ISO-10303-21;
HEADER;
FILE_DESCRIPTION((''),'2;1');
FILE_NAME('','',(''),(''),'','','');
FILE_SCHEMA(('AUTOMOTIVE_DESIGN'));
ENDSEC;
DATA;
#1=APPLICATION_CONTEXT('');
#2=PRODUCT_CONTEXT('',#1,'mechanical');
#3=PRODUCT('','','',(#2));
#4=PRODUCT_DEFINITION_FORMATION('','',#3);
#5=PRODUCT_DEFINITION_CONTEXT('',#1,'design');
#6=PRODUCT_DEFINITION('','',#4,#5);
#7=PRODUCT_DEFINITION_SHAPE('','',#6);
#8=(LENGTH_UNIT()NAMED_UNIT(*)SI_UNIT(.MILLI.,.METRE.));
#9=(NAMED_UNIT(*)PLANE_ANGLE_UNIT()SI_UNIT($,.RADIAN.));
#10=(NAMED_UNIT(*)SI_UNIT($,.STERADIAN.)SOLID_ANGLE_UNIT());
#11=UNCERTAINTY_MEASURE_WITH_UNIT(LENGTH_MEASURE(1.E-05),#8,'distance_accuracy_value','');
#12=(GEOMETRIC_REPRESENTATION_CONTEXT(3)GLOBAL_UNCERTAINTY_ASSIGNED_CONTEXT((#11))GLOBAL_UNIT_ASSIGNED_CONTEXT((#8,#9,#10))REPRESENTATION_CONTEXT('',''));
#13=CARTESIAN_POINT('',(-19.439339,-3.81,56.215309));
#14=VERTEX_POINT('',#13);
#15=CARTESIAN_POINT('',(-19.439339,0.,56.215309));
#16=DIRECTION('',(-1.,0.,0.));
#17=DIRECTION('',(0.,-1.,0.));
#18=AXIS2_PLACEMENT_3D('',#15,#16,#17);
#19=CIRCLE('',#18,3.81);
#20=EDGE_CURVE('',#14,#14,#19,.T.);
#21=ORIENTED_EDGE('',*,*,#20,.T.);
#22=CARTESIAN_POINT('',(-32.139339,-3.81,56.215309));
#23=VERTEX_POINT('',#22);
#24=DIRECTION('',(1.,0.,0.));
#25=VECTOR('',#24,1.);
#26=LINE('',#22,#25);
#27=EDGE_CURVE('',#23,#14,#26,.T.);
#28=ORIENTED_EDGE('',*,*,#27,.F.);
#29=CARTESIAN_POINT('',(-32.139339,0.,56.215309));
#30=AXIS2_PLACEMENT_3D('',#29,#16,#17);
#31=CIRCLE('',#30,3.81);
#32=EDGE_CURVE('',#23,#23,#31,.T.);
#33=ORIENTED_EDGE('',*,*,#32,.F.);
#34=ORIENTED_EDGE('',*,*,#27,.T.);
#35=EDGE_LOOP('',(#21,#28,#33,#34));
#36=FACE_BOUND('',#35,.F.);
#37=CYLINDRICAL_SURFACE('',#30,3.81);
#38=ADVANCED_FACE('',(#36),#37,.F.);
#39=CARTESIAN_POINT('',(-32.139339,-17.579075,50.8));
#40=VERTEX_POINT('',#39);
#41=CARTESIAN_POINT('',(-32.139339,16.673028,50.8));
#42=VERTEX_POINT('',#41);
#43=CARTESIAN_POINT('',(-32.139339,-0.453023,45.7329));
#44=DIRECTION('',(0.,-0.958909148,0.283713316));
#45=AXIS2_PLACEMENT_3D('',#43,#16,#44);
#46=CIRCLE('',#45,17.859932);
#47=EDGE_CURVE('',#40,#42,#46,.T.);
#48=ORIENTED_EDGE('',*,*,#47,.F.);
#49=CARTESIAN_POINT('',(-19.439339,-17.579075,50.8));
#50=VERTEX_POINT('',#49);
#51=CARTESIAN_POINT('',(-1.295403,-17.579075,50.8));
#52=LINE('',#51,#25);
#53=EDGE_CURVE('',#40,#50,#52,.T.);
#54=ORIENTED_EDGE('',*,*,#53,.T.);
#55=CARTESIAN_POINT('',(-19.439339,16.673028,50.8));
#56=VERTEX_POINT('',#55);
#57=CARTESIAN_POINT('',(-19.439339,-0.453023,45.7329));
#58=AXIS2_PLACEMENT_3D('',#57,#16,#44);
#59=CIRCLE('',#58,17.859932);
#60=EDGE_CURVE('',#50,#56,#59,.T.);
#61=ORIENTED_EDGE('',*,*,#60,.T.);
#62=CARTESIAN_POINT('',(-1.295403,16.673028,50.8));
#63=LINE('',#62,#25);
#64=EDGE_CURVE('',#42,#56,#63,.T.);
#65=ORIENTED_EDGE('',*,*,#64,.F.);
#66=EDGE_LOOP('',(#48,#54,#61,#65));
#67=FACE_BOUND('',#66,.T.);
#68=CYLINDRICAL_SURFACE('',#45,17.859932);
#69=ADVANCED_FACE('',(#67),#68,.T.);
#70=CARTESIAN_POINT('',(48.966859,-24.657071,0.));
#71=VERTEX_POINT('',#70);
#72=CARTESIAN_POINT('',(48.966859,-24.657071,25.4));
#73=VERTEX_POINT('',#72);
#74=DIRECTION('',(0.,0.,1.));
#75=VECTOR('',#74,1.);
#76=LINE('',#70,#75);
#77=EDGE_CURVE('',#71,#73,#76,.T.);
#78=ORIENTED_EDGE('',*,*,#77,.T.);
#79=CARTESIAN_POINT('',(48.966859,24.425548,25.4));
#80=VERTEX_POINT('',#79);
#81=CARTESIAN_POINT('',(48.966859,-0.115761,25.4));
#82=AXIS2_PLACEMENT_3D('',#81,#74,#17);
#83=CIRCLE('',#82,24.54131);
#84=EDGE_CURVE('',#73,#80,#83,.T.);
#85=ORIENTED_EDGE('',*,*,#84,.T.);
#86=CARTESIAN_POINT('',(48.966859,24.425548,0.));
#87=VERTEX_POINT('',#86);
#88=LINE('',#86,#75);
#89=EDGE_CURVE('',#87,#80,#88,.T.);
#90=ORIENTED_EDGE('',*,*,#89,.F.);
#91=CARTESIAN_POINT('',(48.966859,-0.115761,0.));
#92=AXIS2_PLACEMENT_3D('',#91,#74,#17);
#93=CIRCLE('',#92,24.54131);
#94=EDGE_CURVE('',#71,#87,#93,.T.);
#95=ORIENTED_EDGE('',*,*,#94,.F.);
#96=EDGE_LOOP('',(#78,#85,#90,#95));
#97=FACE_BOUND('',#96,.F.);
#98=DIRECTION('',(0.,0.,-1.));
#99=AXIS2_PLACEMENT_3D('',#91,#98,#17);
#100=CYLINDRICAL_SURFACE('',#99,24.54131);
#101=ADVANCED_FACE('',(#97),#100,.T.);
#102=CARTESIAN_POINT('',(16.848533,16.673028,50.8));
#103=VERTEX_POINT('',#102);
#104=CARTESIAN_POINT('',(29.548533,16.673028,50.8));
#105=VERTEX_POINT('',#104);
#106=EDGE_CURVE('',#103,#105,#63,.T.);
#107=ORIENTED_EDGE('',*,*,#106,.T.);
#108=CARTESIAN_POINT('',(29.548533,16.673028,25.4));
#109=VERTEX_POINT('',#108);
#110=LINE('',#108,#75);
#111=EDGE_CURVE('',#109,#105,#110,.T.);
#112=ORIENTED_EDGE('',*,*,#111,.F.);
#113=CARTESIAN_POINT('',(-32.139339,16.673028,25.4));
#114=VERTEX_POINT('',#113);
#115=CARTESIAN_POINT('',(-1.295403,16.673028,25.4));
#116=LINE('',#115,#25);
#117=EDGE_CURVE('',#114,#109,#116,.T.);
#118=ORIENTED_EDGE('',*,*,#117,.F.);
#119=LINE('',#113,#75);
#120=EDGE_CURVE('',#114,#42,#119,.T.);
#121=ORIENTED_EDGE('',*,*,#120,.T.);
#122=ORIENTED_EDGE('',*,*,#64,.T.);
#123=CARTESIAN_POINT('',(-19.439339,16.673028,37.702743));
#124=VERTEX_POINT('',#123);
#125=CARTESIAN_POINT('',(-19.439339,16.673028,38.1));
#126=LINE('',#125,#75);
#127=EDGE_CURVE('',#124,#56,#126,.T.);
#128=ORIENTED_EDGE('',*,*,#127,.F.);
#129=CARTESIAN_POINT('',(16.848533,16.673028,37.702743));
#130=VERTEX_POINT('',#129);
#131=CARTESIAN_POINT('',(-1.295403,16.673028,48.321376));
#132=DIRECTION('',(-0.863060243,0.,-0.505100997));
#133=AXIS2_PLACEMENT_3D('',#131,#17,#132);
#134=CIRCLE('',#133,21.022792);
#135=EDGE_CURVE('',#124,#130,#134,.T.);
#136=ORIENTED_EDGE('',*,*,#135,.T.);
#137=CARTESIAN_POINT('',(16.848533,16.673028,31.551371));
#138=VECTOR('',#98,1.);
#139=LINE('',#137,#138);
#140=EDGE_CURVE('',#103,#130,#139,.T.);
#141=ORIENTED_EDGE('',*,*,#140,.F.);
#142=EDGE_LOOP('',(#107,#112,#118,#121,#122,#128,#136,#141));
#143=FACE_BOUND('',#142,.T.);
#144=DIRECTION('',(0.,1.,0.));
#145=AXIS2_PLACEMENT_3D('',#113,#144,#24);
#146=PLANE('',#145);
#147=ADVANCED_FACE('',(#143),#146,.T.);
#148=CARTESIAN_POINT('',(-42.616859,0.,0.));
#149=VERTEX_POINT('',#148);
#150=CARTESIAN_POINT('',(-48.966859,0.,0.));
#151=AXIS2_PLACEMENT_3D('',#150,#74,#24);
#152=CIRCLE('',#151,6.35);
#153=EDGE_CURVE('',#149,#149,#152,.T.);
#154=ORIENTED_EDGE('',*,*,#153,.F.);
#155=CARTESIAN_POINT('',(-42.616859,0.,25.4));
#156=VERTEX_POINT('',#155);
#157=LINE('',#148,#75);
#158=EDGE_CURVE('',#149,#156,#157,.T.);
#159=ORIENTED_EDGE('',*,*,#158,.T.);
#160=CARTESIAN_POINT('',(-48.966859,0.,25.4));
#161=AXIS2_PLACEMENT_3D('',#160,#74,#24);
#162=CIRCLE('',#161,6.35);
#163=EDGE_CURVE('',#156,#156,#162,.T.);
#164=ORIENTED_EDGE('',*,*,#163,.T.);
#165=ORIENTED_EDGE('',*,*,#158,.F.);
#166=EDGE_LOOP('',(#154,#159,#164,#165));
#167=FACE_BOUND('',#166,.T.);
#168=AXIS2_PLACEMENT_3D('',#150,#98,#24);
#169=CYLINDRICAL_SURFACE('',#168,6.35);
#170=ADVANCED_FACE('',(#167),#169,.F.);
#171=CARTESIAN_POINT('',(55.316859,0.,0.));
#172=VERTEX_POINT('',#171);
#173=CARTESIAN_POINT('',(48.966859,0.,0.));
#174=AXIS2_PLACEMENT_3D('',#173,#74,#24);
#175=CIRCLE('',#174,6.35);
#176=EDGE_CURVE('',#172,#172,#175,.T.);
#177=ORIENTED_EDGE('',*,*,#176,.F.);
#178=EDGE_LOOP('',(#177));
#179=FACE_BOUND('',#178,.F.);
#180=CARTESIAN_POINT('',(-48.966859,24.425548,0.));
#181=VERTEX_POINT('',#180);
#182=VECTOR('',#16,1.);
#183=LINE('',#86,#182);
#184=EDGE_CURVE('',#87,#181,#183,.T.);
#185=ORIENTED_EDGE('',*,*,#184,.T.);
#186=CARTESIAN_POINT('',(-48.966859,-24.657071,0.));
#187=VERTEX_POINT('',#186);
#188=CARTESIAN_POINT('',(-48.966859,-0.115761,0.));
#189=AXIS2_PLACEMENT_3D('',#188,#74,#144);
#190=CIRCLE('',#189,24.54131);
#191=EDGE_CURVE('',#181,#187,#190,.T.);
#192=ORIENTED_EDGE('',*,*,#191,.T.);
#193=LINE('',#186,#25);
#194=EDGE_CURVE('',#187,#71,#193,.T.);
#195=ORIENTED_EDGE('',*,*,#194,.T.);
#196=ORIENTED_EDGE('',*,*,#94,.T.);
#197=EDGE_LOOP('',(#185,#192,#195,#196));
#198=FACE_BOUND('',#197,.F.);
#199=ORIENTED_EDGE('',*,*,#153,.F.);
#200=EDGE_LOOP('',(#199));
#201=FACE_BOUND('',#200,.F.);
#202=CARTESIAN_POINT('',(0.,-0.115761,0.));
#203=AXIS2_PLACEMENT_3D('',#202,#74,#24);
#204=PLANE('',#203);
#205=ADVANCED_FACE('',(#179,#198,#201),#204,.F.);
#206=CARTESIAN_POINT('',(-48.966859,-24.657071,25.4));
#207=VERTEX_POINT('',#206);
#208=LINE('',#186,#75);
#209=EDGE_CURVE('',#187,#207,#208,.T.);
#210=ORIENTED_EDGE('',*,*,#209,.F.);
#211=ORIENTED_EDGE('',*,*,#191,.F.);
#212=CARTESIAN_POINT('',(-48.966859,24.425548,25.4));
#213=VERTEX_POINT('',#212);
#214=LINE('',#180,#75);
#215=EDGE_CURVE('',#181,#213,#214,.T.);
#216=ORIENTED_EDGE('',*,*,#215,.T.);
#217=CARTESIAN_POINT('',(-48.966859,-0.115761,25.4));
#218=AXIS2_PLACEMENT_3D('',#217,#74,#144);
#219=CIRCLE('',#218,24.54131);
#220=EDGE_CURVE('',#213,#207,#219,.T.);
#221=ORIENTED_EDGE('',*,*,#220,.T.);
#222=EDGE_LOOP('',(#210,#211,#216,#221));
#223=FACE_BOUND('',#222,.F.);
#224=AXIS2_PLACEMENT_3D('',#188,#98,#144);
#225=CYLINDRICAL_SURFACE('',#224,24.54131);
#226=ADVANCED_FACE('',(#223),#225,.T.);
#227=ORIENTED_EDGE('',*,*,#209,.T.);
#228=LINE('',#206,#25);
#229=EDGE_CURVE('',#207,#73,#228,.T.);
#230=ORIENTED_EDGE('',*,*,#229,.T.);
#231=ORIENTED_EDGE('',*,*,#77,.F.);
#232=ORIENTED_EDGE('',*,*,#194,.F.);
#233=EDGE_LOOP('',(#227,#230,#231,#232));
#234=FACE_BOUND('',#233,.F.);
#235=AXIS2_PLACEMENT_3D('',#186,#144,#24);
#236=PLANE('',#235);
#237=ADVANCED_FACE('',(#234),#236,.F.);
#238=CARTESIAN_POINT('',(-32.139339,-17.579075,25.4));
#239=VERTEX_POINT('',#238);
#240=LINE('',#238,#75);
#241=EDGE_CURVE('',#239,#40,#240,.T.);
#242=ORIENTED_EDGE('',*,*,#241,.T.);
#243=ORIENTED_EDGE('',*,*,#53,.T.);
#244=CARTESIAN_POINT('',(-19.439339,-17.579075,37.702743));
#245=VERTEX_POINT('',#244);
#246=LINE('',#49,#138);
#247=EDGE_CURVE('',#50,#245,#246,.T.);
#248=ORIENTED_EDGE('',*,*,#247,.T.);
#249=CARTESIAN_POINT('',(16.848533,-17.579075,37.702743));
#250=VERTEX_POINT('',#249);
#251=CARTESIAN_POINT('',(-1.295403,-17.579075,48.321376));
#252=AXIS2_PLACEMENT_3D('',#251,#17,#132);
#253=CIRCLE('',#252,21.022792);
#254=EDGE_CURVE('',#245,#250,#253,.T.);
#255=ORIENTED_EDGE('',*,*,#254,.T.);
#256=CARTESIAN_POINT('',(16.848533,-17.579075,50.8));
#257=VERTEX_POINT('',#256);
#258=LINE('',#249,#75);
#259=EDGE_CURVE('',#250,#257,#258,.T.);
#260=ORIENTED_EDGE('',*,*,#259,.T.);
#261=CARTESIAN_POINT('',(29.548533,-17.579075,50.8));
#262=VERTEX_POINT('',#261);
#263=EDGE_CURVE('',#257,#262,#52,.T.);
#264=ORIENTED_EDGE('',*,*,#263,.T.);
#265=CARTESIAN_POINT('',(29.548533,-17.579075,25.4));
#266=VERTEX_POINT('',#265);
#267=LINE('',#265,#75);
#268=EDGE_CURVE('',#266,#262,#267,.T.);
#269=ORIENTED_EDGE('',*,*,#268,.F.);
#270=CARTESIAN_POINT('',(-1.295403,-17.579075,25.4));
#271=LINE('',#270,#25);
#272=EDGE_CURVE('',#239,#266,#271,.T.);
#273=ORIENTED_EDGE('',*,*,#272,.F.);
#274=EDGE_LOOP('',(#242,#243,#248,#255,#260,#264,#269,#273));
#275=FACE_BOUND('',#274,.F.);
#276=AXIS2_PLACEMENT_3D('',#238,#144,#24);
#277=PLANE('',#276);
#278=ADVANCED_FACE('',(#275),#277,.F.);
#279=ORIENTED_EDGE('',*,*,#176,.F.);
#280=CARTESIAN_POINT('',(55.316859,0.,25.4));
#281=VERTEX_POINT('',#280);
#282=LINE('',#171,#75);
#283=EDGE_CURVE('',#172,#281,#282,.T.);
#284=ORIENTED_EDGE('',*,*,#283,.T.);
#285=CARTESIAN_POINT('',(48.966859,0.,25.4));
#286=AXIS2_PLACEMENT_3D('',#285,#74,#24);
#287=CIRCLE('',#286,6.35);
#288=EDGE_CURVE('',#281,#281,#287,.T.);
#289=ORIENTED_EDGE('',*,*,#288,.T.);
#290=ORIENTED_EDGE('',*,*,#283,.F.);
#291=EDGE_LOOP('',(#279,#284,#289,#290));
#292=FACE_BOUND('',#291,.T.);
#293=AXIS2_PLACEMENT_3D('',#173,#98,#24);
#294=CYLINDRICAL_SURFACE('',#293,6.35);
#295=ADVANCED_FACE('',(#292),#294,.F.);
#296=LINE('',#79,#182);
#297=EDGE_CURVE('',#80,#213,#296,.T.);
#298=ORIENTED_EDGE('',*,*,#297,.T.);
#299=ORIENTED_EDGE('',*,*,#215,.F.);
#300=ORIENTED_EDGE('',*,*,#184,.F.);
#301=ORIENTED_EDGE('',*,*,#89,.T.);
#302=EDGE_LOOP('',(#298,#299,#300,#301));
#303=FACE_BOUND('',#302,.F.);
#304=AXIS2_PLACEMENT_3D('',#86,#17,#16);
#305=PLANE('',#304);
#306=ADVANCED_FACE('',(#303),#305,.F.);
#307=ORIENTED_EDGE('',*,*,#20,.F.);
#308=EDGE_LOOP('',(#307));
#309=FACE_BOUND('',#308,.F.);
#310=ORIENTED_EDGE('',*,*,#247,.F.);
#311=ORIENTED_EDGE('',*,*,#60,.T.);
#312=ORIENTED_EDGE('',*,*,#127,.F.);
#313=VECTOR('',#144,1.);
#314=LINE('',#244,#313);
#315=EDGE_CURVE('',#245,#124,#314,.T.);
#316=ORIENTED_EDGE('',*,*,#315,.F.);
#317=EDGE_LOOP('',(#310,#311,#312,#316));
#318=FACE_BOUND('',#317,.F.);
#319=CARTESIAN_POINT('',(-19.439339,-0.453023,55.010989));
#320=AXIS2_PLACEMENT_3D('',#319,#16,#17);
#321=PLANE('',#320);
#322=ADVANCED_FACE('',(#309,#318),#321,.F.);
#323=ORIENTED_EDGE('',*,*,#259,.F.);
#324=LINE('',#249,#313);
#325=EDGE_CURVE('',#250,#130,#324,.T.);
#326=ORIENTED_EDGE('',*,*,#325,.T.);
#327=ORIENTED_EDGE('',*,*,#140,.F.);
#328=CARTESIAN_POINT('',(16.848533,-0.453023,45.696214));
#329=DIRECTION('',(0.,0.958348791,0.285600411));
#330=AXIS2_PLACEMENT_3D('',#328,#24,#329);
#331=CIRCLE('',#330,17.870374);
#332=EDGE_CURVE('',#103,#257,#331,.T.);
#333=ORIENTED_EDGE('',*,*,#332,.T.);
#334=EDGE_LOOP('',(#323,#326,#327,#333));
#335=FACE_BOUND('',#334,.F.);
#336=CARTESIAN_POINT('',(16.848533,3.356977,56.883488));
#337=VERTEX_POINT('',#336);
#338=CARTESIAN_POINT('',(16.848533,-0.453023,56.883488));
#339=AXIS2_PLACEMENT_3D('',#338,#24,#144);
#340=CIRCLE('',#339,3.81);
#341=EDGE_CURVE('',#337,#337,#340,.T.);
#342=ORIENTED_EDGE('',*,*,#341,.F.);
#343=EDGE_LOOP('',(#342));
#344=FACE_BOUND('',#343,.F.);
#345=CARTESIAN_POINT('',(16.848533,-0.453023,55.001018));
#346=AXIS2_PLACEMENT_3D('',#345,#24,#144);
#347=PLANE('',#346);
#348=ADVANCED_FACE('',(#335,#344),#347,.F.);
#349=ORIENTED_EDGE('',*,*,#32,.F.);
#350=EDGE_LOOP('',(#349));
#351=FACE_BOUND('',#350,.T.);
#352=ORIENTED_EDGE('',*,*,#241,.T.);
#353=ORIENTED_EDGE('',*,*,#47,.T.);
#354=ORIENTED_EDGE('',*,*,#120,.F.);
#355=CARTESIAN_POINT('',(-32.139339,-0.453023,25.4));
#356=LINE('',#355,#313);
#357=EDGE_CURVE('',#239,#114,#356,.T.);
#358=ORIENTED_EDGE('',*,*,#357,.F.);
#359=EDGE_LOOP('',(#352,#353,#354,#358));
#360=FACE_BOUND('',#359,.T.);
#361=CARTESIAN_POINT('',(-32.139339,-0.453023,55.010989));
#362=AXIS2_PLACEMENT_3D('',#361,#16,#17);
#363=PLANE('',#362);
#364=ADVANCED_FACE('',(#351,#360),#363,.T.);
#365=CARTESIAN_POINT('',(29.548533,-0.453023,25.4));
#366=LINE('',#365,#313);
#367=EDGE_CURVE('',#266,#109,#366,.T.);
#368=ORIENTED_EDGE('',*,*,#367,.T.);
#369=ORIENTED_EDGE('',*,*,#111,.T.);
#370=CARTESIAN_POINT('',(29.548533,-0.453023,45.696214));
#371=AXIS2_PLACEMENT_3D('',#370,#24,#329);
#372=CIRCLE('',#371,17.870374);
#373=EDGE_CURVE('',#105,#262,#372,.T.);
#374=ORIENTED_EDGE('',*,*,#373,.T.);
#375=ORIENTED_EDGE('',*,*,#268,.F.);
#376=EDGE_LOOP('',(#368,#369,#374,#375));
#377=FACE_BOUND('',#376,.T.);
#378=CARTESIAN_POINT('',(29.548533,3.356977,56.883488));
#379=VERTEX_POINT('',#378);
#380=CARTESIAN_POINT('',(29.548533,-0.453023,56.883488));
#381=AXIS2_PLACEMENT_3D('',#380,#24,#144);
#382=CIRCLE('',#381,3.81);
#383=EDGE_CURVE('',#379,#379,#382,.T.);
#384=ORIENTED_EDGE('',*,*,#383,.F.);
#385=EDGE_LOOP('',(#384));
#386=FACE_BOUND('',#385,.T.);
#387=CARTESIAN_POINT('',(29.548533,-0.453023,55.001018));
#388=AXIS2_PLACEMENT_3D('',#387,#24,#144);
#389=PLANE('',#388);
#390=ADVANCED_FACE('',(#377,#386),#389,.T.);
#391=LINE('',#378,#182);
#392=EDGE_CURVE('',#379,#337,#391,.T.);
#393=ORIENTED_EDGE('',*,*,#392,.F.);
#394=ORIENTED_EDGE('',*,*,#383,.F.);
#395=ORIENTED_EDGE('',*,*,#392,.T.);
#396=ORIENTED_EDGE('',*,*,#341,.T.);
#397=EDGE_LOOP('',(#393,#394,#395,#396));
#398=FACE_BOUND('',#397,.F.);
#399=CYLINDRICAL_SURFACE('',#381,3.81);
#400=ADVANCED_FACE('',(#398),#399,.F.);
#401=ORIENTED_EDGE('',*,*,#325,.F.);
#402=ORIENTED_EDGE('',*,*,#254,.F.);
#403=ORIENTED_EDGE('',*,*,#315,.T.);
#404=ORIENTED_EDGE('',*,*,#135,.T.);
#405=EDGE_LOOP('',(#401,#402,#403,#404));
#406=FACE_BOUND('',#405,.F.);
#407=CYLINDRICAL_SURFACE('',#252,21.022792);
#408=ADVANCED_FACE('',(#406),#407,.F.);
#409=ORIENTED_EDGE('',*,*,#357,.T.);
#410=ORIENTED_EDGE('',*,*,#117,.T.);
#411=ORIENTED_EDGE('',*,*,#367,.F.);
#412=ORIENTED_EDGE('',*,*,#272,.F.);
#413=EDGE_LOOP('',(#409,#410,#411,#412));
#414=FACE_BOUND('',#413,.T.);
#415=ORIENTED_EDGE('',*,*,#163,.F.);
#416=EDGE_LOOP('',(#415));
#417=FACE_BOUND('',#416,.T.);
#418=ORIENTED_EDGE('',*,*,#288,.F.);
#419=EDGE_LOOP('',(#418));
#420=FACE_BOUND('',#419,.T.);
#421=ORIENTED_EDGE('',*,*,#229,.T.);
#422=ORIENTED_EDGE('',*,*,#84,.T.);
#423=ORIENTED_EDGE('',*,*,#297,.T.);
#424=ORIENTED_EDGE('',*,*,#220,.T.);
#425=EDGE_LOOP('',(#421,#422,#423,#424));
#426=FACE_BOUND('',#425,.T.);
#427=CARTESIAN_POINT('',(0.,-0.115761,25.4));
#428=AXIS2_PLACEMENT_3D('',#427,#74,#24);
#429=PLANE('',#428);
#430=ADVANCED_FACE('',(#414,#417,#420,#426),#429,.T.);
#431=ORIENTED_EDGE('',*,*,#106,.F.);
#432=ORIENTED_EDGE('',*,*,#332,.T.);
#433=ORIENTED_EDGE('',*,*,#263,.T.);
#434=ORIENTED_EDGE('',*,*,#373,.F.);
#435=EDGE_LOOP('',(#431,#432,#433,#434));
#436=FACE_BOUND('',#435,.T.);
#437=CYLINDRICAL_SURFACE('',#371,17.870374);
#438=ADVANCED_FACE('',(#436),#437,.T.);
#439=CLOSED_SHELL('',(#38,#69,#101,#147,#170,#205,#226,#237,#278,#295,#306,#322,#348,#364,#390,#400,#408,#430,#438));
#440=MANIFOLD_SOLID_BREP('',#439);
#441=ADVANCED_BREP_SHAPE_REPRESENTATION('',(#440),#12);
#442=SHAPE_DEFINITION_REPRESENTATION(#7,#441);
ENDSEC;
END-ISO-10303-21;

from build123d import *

# Parameters (mm, degrees)
F0_R     = 6.35
F1_DEPTH = 25.4
F2_W     = 61.6878718138
F2_H     = 34.2521034181
F3_DEPTH = 25.4
F5_DEPTH = 36.322
F6_R     = 3.81
F7_DEPTH = 12.7
F8_R     = 3.81
F9_DEPTH = 12.7


with BuildPart() as f1:
    # F0 (on Top) → F1 (new body)
    with BuildSketch(Plane.XY):
        with BuildLine():
            Line((48.9668589424, 24.4255484226), (-48.9668589424, 24.4255484226))
            ThreePointArc((-48.9668589424, 24.4255484226), (-73.5081685676, -0.1157612025), (-48.9668589424, -24.6570708277))
            Line((-48.9668589424, -24.6570708277), (48.9668589424, -24.6570708277))
            ThreePointArc((48.9668589424, -24.6570708277), (73.5081685676, -0.1157612025), (48.9668589424, 24.4255484226))
        make_face()
        with Locations((-48.9668589424, 0)):
            Circle(F0_R, mode=Mode.SUBTRACT)
        with Locations((48.9668589424, 0)):
            Circle(F0_R, mode=Mode.SUBTRACT)
    extrude(amount=F1_DEPTH)

    # F2 (on face) → F3 (join)
    with BuildSketch(Plane.XY.offset(25.4)):
        with Locations((-1.2954026461, -0.45302324)):
            Rectangle(F2_W, F2_H)
    extrude(amount=F3_DEPTH)

    # F4 (on face) → F5 (cut)
    with BuildSketch(Plane.XZ.offset(17.579074949)):
        with BuildLine():
            Line((16.8485332608, 50.8), (-19.439338553, 50.8))
            Line((-19.439338553, 50.8), (-19.439338553, 37.702742964))
            ThreePointArc((-19.439338553, 37.702742964), (-1.2954026461, 27.2985841975), (16.8485332608, 37.702742964))
            Line((16.8485332608, 37.702742964), (16.8485332608, 50.8))
        make_face()
    extrude(amount=-F5_DEPTH, mode=Mode.SUBTRACT)

    # F6 (on face) → F7 (join)
    with BuildSketch(Plane(origin=(-32.139338553, 0, 0), x_dir=(0, -1, 0), z_dir=(-1, 0, 0))):
        with BuildLine():
            Line((-16.6730284691, 50.8), (17.579074949, 50.8))
            ThreePointArc((17.579074949, 50.8), (0.45302324, 63.5928311153), (-16.6730284691, 50.8))
        make_face()
        with Locations((0, 56.2153086066)):
            Circle(F6_R, mode=Mode.SUBTRACT)
    extrude(amount=-F7_DEPTH)

    # F8 (on face) → F9 (join)
    with BuildSketch(Plane.YZ.offset(29.5485332608)):
        with BuildLine():
            ThreePointArc((16.6730284691, 50.8), (-0.45302324, 63.5665881357), (-17.579074949, 50.8))
            Line((-17.579074949, 50.8), (16.6730284691, 50.8))
        make_face()
        with Locations((-0.45302324, 56.8834878504)):
            Circle(F8_R, mode=Mode.SUBTRACT)
    extrude(amount=-F9_DEPTH)


solid = f1.part
